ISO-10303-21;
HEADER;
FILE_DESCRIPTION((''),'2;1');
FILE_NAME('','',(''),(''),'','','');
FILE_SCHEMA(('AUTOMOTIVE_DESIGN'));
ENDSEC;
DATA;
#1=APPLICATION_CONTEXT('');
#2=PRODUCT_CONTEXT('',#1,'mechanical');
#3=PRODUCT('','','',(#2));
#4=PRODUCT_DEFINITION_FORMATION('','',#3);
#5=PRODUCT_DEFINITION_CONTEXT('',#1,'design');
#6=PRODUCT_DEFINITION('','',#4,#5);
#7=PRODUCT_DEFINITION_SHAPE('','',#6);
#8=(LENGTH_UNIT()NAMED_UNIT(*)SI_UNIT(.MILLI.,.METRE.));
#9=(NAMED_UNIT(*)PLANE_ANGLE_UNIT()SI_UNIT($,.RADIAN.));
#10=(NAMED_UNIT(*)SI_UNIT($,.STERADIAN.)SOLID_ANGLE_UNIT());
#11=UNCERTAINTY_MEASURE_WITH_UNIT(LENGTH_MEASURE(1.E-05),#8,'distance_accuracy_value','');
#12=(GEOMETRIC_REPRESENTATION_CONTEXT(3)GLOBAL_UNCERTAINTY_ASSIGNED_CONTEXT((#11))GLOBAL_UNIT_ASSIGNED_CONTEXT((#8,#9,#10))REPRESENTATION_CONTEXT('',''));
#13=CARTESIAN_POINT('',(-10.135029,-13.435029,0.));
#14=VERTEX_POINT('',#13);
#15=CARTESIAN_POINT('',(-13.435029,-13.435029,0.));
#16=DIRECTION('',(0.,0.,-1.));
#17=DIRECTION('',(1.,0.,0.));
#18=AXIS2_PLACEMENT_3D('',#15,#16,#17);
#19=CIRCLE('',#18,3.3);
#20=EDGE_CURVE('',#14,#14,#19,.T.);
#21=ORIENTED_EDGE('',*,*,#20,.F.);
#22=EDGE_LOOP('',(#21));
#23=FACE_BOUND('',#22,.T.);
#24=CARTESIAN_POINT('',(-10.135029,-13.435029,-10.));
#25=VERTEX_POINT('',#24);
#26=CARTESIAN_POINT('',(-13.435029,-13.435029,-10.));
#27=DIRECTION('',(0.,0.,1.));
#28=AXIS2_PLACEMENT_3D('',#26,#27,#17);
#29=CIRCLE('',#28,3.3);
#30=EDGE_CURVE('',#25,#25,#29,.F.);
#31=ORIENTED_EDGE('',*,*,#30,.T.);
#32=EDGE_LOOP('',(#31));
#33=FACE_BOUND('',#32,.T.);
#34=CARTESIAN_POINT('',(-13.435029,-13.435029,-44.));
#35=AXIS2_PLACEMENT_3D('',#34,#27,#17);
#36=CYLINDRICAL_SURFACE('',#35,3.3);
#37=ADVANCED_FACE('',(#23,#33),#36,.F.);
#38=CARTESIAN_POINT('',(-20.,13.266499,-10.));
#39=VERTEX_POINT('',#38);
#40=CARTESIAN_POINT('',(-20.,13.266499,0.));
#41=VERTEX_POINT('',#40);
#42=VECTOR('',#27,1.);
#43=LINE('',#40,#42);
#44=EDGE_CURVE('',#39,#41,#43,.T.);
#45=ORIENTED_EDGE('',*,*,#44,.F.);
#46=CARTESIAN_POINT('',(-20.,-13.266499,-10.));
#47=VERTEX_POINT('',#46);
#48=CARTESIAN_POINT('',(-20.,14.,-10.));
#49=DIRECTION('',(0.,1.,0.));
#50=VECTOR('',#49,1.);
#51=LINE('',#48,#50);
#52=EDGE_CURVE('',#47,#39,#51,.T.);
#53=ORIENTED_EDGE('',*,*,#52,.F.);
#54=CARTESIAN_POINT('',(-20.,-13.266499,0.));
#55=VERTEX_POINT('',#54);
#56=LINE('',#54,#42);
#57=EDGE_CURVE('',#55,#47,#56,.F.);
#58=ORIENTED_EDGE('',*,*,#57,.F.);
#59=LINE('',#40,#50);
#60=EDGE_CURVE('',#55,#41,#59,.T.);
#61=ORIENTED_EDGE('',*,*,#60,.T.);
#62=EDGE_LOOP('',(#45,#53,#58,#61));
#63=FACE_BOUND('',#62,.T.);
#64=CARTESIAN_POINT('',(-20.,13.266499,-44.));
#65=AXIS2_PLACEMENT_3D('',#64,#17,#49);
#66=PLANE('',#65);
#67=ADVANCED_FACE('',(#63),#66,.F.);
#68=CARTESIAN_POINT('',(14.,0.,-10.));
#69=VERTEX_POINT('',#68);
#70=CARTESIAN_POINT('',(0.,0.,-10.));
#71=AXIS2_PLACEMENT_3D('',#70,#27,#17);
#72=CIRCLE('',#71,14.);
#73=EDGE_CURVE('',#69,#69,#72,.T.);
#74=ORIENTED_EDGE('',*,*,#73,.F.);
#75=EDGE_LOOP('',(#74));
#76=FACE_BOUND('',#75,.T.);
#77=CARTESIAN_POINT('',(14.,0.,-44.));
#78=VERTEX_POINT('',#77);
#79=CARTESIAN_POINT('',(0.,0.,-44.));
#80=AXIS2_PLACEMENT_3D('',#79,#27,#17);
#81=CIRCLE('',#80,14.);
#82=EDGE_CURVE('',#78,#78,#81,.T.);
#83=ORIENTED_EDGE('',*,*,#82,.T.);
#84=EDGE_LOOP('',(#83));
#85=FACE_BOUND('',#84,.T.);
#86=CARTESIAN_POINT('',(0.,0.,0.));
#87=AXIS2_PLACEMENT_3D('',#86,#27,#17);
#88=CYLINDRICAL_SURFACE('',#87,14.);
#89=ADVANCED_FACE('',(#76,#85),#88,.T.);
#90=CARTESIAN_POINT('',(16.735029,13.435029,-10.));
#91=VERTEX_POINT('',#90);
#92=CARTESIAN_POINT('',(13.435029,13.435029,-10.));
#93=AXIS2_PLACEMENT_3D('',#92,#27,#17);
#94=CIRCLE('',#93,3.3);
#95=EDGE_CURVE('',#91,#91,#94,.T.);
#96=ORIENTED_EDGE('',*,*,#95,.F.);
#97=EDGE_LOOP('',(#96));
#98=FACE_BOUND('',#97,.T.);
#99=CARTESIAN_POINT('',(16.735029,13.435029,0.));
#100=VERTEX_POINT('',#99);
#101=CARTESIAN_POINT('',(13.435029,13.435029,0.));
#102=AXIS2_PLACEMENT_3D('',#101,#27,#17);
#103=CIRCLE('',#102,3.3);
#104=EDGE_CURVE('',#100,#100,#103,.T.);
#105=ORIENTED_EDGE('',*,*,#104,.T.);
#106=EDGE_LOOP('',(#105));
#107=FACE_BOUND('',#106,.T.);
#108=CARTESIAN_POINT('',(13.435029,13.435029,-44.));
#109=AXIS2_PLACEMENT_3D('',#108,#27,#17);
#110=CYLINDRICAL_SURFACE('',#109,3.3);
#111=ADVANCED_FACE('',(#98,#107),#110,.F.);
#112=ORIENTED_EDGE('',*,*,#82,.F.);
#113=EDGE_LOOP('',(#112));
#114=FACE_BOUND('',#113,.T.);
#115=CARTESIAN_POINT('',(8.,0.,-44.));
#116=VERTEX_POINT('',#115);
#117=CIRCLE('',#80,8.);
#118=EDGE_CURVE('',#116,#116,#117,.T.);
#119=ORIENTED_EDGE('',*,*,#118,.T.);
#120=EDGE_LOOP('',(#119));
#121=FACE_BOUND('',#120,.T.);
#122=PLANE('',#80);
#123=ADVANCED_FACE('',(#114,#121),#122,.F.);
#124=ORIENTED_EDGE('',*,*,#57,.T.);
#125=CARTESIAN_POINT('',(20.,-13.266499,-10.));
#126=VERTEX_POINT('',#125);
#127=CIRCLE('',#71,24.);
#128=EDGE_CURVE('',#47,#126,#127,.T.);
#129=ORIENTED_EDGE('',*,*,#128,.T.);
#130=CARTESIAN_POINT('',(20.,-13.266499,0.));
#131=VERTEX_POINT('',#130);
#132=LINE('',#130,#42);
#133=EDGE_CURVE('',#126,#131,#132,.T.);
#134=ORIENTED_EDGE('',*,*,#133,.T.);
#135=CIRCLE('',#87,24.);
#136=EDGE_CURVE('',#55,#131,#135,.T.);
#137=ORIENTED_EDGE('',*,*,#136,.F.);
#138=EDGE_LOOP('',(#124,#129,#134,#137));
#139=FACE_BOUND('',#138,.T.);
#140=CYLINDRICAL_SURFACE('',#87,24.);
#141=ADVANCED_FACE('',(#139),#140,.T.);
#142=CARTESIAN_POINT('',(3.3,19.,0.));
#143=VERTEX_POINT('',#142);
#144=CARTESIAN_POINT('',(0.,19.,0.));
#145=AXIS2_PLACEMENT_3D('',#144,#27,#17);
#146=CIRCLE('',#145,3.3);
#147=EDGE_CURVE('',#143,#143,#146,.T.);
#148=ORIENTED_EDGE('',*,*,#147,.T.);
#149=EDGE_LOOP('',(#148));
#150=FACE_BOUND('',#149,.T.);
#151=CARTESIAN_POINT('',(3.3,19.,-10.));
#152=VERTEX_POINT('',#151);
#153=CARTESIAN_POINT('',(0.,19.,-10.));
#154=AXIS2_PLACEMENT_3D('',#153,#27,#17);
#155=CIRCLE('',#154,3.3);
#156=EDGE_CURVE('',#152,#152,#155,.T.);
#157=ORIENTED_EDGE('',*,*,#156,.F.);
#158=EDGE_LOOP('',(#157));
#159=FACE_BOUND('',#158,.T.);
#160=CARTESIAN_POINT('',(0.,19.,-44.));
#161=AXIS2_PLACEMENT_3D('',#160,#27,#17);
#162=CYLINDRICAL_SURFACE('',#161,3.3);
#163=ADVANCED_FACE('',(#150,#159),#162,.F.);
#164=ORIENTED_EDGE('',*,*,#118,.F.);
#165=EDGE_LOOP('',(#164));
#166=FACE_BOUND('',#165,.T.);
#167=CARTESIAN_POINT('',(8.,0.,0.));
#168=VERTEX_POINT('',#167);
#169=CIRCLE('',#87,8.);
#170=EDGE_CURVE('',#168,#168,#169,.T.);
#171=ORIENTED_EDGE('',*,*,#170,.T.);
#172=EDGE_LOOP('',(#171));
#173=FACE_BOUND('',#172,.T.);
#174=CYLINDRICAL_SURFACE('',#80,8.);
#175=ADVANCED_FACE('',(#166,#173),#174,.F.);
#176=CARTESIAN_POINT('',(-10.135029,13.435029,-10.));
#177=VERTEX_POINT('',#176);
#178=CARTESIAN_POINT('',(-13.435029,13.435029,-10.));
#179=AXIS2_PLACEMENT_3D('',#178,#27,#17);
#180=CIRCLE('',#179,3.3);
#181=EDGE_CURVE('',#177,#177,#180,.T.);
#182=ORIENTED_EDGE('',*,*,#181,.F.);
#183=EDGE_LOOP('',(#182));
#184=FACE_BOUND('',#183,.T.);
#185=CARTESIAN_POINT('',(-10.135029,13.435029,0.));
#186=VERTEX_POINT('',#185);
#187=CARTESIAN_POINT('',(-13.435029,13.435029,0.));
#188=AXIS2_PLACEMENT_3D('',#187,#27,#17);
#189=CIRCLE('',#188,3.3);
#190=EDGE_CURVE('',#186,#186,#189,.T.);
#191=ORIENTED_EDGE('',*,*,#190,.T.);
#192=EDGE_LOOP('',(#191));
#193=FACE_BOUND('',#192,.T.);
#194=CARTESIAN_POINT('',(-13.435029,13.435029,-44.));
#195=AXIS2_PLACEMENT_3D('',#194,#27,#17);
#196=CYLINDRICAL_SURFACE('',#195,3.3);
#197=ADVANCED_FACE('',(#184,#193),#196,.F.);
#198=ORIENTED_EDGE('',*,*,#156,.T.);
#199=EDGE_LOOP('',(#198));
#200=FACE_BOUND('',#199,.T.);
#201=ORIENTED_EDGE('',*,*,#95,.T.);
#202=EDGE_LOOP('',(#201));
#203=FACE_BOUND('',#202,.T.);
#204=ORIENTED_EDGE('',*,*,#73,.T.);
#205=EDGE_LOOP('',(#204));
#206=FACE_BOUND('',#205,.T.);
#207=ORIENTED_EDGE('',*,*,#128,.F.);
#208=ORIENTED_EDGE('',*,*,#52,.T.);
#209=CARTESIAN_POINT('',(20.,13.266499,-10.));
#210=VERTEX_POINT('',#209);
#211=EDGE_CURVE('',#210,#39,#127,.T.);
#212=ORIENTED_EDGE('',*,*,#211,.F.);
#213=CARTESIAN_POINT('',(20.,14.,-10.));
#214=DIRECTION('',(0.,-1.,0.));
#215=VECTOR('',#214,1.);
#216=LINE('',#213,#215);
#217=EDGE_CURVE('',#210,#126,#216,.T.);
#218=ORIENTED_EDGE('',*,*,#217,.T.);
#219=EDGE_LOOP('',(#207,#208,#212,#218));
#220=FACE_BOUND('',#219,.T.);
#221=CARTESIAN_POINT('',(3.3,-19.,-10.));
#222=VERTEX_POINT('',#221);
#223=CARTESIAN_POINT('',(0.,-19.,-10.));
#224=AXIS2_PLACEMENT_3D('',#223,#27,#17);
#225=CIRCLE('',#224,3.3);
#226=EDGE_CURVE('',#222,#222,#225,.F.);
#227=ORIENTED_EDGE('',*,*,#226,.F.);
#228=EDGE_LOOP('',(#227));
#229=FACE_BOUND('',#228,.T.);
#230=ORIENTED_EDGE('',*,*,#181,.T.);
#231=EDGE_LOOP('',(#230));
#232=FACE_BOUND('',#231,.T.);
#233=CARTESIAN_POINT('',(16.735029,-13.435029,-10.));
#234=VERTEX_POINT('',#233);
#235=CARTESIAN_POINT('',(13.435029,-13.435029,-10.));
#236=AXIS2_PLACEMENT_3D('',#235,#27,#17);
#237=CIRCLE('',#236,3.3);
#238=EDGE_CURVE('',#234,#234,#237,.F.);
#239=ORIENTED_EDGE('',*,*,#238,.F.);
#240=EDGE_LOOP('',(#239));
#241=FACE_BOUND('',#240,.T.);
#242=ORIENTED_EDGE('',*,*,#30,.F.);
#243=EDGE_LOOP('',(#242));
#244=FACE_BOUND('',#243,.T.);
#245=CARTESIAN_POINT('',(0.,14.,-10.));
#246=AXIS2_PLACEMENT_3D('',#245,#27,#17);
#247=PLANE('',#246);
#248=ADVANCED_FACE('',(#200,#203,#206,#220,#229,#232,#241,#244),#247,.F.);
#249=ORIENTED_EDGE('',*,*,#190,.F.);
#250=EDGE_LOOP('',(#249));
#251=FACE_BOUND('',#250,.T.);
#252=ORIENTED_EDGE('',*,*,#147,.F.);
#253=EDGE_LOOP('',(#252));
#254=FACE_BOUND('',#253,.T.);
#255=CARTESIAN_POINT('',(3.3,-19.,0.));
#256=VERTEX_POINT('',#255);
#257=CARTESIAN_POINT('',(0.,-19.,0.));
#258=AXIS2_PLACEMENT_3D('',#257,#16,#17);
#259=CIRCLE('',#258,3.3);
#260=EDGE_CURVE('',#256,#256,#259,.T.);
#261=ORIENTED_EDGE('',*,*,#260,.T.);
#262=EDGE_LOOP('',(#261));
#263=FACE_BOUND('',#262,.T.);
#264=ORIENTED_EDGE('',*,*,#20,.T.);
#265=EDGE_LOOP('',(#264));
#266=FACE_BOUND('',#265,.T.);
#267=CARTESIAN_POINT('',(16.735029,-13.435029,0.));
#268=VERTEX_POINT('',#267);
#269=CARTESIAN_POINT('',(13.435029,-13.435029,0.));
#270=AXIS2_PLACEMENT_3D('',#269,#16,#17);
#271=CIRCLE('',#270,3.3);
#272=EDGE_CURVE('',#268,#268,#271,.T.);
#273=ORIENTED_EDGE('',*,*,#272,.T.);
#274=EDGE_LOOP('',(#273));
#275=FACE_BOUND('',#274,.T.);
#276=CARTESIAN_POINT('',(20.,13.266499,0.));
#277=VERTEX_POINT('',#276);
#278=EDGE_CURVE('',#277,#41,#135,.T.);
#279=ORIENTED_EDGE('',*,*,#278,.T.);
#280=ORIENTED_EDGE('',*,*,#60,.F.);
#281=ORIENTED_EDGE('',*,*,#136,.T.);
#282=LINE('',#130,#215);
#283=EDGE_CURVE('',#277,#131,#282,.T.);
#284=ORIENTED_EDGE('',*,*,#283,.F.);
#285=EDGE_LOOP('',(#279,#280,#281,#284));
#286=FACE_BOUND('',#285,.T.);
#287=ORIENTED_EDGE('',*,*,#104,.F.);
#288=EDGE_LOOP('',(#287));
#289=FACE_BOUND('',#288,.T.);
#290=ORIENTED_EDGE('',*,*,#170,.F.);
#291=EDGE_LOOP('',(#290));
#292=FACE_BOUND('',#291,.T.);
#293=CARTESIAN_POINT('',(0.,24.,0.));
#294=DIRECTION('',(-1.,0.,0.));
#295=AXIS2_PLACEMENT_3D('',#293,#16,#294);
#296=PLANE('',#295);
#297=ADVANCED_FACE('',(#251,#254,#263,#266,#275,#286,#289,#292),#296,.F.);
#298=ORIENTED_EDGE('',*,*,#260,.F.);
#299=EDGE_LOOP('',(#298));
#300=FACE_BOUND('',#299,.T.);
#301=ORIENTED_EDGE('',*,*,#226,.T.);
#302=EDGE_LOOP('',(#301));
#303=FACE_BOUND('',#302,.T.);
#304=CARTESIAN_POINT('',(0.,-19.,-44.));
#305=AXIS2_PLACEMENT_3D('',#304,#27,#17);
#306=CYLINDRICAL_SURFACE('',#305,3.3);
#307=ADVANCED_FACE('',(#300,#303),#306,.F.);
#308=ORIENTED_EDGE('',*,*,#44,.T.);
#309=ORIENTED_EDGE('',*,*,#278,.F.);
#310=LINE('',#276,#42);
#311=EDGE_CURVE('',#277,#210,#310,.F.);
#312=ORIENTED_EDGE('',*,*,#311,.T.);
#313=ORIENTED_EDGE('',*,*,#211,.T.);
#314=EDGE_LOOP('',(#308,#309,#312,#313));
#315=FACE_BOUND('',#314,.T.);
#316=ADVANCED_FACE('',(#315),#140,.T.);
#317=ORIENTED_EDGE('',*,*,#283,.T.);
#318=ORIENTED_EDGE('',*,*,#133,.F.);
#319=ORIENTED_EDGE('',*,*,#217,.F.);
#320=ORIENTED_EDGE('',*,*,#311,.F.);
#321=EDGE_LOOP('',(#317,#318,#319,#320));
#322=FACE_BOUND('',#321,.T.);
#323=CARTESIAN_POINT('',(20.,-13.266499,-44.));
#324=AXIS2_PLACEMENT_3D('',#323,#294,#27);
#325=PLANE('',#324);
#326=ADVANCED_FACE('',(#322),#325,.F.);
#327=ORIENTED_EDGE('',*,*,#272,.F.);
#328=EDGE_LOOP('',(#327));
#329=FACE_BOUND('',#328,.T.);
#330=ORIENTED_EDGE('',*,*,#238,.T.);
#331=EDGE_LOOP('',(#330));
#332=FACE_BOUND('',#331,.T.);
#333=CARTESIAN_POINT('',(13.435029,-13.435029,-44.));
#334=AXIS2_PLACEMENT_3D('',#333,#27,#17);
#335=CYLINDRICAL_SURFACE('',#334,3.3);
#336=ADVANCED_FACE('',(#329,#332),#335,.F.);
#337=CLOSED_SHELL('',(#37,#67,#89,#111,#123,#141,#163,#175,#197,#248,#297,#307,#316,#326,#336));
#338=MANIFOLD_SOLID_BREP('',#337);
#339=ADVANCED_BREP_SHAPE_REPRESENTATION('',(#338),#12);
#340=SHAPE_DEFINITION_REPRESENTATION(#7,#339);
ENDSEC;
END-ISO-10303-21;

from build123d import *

# Parameters (mm, degrees)
SZKIC2_R                   = 3.3
SZKIC2_R_2                 = 8
WYTNIJ_WYCI_GNI_CIE1_DEPTH = 56.569775958


with BuildPart() as part:
    # Szkic1 → Obrót1 (revolve)
    with BuildSketch(Plane(origin=(0, 0, 0), x_dir=(0, 0, -1), z_dir=(1, 0, 0)), mode=Mode.PRIVATE) as obr_t1_sk:
        Polygon((0, 0), (44, 0), (44, 14), (10, 14), (10, 24), (0, 24), align=None)
    revolve(obr_t1_sk.sketch.rotate(Axis((0, 0, 0), (0, 0, -1)), 90), axis=Axis((0, 0, 0), (0, 0, -1)))

    # Szkic2 → Wytnij-wyciągnięcie1 (cut, through all)
    with BuildSketch(Plane.XY):
        with Locations((-13.435028843, 13.435028843)):
            Circle(SZKIC2_R)
        with Locations((0, 19)):
            Circle(SZKIC2_R)
        with Locations((13.435028843, 13.435028843)):
            Circle(SZKIC2_R)
        Circle(SZKIC2_R_2)
        with BuildLine():
            Line((-20, 13.266499161), (-20, -13.266499161))
            ThreePointArc((-20, -13.266499161), (-24, 0), (-20, 13.266499161))
        make_face()
        with BuildLine():
            Line((20, -13.266499161), (20, 13.266499161))
            ThreePointArc((20, 13.266499161), (24, 0), (20, -13.266499161))
        make_face()
    wytnij_wyci_gni_cie1 = extrude(amount=-WYTNIJ_WYCI_GNI_CIE1_DEPTH, mode=Mode.SUBTRACT)

    # Lustro1: Wytnij-wyciągnięcie1 across plane
    add(wytnij_wyci_gni_cie1.mirror(Plane.ZX), mode=Mode.SUBTRACT)


solid = part.part
